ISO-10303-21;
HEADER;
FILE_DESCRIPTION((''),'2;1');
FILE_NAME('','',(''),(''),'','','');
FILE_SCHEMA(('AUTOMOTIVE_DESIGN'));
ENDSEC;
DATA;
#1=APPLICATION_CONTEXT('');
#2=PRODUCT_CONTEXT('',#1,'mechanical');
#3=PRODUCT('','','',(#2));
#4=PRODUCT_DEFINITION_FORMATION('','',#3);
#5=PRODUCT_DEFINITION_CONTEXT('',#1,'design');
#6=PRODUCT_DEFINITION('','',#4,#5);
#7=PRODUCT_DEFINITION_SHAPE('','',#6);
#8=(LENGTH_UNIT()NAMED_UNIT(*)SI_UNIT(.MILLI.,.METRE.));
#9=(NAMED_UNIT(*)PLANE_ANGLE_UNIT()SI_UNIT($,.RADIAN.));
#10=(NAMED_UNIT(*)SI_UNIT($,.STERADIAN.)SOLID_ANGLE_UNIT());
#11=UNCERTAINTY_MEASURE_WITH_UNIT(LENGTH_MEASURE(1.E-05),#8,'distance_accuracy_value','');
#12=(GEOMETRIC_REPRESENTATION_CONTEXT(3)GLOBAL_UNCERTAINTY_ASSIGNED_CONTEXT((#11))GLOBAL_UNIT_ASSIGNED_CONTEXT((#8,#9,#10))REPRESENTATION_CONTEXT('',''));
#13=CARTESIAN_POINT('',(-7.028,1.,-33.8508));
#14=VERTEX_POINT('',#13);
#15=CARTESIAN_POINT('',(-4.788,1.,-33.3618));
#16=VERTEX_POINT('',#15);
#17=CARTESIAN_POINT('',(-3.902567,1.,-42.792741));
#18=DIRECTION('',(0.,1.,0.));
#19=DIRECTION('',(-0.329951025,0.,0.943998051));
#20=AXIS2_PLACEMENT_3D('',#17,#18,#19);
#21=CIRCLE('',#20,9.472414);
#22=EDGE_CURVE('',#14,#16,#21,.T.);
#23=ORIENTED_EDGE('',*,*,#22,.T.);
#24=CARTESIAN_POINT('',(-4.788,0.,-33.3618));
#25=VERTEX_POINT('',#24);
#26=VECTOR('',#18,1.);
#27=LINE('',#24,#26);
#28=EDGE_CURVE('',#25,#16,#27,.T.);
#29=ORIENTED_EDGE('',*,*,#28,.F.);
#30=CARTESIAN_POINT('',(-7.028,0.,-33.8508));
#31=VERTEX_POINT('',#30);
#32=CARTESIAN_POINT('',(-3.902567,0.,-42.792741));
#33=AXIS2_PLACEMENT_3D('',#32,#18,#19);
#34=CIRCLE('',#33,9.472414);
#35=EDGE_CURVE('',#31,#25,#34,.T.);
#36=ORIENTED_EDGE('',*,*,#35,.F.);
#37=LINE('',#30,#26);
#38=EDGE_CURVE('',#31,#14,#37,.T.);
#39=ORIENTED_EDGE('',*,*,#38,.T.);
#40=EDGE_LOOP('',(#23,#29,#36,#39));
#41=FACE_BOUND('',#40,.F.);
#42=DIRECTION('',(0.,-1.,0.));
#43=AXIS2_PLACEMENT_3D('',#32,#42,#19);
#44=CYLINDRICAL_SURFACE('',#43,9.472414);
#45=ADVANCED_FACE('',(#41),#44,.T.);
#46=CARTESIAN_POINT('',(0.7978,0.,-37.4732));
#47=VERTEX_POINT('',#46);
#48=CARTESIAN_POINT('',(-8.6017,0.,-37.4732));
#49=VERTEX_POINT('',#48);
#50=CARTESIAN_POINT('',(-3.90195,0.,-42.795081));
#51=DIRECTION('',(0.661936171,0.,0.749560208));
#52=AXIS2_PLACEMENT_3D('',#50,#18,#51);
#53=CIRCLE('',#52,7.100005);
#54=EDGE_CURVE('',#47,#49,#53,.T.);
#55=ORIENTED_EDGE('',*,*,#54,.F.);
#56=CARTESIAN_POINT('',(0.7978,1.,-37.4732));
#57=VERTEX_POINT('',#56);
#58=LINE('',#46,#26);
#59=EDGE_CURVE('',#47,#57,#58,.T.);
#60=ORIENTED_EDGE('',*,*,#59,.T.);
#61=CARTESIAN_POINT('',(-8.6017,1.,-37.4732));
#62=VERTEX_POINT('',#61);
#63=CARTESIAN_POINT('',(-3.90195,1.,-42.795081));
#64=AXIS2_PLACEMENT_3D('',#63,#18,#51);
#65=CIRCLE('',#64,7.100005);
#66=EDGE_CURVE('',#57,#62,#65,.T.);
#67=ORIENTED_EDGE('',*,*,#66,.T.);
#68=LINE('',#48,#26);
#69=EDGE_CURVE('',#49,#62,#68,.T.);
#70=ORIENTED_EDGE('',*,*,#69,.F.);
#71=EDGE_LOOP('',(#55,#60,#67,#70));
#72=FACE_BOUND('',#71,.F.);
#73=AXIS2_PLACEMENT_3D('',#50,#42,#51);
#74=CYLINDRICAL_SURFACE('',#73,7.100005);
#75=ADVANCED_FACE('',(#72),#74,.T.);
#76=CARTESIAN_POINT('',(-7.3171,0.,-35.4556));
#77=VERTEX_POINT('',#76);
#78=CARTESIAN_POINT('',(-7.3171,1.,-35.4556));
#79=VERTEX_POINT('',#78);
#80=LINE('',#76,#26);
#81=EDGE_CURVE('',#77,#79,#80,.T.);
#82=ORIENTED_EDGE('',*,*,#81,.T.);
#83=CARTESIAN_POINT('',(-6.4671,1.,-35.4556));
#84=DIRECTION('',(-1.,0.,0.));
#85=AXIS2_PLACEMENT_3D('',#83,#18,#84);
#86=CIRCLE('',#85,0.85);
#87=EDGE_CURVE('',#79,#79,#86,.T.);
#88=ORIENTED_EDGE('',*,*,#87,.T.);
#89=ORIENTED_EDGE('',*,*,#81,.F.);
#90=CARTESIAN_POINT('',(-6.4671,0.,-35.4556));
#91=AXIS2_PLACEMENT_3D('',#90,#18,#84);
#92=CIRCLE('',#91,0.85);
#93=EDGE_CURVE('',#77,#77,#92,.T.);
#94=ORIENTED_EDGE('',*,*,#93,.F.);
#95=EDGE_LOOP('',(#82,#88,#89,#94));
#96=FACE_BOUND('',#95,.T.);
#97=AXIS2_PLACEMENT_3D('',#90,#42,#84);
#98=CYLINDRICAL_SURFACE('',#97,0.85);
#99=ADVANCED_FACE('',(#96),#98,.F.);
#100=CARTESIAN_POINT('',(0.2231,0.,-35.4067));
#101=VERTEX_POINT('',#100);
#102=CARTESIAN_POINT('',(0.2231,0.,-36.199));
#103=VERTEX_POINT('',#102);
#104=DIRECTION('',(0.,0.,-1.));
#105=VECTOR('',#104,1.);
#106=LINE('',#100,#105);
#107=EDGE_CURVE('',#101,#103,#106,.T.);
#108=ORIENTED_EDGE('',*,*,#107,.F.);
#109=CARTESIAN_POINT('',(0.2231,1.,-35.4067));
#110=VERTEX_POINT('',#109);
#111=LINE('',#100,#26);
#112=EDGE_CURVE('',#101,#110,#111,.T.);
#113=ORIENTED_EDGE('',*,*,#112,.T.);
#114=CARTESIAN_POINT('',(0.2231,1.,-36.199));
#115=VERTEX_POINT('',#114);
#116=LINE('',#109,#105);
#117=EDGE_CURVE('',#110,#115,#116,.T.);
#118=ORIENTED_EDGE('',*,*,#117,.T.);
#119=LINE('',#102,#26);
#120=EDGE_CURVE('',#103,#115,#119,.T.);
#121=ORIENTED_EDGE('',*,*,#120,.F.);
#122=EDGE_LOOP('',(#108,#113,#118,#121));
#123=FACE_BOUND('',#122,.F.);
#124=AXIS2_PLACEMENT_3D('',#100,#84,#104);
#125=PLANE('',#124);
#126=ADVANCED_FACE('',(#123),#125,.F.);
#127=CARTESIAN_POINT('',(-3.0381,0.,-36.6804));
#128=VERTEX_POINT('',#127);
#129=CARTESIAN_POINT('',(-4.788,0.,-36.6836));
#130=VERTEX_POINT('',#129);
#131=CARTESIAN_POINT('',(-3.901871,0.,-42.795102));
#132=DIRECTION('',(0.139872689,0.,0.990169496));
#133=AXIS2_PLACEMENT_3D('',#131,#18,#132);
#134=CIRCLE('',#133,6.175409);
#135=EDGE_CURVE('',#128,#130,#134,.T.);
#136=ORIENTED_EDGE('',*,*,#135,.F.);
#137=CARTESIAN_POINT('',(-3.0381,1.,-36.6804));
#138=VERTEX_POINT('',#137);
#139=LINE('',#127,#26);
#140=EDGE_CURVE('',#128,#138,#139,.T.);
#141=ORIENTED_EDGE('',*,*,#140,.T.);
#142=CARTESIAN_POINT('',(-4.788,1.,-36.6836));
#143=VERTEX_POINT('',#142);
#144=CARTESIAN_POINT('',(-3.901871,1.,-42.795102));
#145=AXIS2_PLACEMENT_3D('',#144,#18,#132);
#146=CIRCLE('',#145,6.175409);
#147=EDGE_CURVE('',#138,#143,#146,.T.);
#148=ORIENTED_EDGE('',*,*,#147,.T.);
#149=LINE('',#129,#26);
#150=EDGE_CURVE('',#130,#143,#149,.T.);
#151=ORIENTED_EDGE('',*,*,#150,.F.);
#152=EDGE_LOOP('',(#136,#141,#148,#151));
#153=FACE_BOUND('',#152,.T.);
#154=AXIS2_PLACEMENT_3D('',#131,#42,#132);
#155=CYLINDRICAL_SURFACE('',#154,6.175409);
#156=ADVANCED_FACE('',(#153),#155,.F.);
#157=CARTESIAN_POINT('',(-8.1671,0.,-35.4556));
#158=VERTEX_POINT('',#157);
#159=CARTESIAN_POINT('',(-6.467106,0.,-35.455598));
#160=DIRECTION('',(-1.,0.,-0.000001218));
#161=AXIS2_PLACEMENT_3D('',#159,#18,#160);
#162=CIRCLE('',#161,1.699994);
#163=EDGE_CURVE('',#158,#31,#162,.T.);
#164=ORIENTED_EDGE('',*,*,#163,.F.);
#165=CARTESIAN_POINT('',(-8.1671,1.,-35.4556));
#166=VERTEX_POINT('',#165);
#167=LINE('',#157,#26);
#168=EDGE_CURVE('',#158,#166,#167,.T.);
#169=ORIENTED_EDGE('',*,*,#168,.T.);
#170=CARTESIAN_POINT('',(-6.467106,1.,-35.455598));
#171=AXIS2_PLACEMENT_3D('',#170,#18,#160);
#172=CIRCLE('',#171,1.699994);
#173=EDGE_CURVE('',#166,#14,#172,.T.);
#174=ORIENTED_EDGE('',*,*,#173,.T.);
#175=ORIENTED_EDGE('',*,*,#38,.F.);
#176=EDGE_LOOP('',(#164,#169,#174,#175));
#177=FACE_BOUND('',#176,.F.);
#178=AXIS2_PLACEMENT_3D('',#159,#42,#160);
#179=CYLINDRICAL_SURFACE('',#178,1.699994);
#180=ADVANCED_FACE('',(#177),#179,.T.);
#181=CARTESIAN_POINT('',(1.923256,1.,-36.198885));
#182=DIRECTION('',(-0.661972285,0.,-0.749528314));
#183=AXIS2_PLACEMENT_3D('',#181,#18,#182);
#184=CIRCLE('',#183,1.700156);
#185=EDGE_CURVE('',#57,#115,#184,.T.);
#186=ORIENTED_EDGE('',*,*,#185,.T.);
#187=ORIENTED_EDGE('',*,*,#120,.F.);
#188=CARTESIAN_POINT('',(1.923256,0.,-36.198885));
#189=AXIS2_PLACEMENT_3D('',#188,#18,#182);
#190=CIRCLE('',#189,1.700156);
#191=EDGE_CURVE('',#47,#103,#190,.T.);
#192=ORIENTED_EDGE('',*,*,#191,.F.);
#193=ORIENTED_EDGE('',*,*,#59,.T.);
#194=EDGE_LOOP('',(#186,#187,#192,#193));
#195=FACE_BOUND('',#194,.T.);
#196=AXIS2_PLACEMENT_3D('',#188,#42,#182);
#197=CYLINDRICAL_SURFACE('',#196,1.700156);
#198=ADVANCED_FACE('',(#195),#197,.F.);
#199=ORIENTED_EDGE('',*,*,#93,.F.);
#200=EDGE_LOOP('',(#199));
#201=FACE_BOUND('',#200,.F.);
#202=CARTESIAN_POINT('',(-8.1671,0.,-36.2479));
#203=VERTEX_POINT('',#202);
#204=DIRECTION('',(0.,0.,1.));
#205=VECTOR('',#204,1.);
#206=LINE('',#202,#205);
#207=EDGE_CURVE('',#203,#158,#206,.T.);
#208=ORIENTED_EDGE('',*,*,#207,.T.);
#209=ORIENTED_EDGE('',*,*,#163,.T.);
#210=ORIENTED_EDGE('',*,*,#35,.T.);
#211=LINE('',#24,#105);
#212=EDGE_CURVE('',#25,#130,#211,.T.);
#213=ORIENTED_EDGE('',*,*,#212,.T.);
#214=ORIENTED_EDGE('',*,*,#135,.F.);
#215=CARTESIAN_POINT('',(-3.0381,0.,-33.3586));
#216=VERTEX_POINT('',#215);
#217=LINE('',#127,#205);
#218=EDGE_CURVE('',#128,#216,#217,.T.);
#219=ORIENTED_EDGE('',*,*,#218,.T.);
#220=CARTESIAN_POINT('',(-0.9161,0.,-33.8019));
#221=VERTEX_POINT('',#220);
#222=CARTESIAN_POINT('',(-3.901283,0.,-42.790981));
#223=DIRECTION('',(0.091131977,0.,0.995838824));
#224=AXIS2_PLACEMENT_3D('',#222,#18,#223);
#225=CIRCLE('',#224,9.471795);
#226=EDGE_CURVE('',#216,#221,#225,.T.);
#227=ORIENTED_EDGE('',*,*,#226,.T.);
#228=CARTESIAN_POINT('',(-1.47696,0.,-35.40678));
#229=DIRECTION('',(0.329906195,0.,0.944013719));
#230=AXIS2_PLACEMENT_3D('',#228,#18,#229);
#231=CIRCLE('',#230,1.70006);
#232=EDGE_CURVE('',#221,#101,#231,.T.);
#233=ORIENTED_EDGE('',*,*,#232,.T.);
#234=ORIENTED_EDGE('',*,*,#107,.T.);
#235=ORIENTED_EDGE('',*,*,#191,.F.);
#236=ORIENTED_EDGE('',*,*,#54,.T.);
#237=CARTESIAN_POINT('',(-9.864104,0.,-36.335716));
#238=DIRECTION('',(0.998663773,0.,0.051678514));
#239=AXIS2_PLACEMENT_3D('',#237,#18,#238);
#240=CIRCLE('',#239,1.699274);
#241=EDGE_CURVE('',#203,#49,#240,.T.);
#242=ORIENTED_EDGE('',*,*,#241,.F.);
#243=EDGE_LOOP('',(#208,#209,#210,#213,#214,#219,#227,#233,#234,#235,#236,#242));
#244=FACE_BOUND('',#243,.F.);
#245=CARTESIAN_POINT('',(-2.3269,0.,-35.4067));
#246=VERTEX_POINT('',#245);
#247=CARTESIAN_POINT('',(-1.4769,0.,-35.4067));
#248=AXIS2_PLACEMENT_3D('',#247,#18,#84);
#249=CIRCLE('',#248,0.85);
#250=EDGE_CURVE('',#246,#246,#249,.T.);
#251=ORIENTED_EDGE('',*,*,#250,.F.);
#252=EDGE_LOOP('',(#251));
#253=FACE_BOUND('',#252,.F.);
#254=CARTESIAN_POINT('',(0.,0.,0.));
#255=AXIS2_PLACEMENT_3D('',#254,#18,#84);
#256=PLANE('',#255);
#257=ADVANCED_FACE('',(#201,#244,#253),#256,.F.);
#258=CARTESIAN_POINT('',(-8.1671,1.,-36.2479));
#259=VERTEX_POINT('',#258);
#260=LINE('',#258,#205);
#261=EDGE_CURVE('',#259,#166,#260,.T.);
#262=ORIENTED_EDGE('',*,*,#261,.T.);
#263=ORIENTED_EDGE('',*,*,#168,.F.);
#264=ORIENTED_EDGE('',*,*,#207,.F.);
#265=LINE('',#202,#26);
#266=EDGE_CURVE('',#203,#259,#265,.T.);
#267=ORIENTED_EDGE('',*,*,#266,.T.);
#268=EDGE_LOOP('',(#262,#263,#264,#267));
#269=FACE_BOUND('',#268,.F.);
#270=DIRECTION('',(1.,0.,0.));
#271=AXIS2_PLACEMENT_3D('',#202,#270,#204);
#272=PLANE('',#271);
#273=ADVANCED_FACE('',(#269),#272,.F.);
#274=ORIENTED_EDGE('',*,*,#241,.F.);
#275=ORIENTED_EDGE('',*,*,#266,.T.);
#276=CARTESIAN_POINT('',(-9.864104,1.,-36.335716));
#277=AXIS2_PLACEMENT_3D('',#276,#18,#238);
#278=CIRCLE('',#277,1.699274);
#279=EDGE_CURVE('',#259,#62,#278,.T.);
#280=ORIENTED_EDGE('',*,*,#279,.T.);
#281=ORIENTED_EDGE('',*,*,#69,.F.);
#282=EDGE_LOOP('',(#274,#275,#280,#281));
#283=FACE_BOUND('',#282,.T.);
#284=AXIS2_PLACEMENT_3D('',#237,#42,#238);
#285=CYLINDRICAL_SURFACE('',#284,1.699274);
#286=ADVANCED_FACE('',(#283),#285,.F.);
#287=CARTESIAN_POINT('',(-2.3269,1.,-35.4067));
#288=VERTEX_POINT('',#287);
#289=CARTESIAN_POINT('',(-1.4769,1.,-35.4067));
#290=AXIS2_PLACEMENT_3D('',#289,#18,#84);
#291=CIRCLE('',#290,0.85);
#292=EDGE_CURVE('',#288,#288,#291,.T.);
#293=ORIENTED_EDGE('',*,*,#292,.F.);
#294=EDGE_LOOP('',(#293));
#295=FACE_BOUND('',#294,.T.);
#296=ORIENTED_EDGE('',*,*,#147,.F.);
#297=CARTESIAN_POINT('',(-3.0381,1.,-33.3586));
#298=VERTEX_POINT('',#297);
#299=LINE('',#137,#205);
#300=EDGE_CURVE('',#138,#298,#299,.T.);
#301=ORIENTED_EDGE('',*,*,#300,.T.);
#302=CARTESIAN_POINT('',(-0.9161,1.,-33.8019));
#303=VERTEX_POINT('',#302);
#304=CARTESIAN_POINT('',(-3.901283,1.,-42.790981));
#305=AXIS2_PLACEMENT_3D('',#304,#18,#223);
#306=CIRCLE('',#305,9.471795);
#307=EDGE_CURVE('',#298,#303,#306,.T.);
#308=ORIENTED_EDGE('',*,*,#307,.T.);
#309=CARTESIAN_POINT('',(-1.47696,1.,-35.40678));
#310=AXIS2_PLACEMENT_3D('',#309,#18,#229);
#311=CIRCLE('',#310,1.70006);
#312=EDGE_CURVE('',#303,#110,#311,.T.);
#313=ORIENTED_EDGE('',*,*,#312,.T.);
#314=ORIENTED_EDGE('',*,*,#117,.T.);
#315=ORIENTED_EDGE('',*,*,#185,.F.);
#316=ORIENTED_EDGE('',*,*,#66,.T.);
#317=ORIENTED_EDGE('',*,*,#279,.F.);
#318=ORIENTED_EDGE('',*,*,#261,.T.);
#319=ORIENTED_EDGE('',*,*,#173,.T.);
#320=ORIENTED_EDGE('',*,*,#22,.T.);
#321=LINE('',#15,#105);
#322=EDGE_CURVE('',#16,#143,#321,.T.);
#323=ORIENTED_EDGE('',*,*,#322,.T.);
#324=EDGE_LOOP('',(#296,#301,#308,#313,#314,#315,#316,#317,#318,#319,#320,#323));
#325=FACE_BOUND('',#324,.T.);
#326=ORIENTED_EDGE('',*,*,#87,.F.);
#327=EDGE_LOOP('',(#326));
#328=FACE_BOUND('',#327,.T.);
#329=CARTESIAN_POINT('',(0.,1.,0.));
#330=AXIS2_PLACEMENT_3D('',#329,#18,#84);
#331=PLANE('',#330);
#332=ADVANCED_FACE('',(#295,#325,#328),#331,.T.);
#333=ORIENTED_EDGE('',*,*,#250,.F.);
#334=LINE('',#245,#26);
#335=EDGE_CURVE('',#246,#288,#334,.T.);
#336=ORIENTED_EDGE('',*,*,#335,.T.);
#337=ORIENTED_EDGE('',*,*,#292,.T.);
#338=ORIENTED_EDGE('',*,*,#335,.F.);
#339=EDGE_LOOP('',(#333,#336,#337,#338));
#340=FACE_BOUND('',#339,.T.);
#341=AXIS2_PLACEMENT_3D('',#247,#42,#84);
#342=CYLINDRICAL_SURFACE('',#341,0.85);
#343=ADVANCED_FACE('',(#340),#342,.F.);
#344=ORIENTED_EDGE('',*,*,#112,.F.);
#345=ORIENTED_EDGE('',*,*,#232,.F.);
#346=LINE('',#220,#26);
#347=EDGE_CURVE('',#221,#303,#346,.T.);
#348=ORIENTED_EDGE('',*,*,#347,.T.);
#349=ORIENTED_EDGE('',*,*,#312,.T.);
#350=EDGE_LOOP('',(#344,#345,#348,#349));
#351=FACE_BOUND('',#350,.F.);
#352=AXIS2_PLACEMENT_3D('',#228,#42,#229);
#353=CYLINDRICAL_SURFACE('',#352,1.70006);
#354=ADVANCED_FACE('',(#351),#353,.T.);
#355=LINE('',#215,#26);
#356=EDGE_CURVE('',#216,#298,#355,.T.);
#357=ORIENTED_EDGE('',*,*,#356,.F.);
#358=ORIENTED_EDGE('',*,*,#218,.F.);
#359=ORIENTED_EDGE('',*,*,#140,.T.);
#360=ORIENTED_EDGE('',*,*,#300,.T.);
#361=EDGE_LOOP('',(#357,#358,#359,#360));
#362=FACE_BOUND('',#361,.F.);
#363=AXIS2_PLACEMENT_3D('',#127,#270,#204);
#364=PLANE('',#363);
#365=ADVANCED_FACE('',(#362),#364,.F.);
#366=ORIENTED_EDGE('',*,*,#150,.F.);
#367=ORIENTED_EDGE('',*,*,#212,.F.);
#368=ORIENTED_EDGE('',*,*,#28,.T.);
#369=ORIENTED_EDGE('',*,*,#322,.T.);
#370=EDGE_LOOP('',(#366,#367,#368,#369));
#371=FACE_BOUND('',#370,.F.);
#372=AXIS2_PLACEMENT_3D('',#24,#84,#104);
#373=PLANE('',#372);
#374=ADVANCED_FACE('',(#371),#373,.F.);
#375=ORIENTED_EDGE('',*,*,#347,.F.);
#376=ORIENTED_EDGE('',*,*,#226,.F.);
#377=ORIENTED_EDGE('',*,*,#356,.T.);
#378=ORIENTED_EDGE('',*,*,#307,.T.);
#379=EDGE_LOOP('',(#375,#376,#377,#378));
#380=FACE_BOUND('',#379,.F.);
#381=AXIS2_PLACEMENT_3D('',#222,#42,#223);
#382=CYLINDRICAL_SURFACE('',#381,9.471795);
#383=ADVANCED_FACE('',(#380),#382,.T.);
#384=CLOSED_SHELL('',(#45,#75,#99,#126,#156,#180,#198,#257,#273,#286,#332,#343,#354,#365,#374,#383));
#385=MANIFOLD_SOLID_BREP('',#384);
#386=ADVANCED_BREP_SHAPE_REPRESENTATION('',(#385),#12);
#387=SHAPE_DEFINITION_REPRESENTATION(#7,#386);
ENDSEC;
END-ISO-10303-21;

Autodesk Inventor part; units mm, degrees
ref_plane "YZ Plane" through (0, 0, 0) normal (1, 0, 0) x (0, 1, 0)
ref_plane "XZ Plane" through (0, 0, 0) normal (0, 1, 0) x (-1, 0, 0)
ref_plane "XY Plane" through (0, 0, 0) normal (0, 0, 1) x (1, 0, 0)
sketch "Sketch1" plane through (0, 0, 0) normal (0, 1, 0) x (-1, 0, 0)
  line L0 (4.788, -33.3618) -> (4.788, -36.6836)
  line L1 (8.1671, -36.2479) -> (8.1671, -35.4556)
  line L2 (-0.2231, -35.4067) -> (-0.2231, -36.199)
  line L3 (3.0381, -36.6804) -> (3.0381, -33.3586)
  circle A0 centre (6.4671, -35.4556) radius 0.85
  circle A1 centre (1.4769, -35.4067) radius 0.85
  arc A2 (3.0381, -36.6804) -> (4.788, -36.6836) centre (3.9019, -42.7951) ccw
  arc A3 (7.028, -33.8508) -> (4.788, -33.3618) centre (3.9019, -42.7951) ccw
  arc A4 (8.1671, -35.4556) -> (7.028, -33.8508) centre (6.4671, -35.4556) ccw
  arc A5 (8.1671, -36.2479) -> (8.6017, -37.4732) centre (9.8649, -36.3356) ccw
  arc A6 (-0.7978, -37.4732) -> (8.6017, -37.4732) centre (3.9019, -42.7951) ccw
  arc A7 (-0.7978, -37.4732) -> (-0.2231, -36.199) centre (-1.9231, -36.199) ccw
  arc A8 (0.9161, -33.8019) -> (-0.2231, -35.4067) centre (1.4769, -35.4067) ccw
  arc A9 (3.0381, -33.3586) -> (0.9161, -33.8019) centre (3.9019, -42.7951) ccw
  point P0 (0, 0)
  dimension "d0" = 0
  dimension "d1" = 0
  dimension "d2" = 0
  dimension "d3" = 0
  dimension "d4" = 6.1754
  dimension "d5" = 7.1
  dimension "d6" = 1.7
  dimension "d7" = 1.7
  dimension "d8" = 1.7
  dimension "d9" = 1.7
  dimension "d10" = 1.7
  dimension "d11" = 1.7
  dimension "d12" = 9.476
  dimension "d13" = 9.4748
  dimension "d14" = 1.7499
extrude "Extrusion1" add sketch "Sketch1" along normal blind 1
properties part number "49-01-004"
